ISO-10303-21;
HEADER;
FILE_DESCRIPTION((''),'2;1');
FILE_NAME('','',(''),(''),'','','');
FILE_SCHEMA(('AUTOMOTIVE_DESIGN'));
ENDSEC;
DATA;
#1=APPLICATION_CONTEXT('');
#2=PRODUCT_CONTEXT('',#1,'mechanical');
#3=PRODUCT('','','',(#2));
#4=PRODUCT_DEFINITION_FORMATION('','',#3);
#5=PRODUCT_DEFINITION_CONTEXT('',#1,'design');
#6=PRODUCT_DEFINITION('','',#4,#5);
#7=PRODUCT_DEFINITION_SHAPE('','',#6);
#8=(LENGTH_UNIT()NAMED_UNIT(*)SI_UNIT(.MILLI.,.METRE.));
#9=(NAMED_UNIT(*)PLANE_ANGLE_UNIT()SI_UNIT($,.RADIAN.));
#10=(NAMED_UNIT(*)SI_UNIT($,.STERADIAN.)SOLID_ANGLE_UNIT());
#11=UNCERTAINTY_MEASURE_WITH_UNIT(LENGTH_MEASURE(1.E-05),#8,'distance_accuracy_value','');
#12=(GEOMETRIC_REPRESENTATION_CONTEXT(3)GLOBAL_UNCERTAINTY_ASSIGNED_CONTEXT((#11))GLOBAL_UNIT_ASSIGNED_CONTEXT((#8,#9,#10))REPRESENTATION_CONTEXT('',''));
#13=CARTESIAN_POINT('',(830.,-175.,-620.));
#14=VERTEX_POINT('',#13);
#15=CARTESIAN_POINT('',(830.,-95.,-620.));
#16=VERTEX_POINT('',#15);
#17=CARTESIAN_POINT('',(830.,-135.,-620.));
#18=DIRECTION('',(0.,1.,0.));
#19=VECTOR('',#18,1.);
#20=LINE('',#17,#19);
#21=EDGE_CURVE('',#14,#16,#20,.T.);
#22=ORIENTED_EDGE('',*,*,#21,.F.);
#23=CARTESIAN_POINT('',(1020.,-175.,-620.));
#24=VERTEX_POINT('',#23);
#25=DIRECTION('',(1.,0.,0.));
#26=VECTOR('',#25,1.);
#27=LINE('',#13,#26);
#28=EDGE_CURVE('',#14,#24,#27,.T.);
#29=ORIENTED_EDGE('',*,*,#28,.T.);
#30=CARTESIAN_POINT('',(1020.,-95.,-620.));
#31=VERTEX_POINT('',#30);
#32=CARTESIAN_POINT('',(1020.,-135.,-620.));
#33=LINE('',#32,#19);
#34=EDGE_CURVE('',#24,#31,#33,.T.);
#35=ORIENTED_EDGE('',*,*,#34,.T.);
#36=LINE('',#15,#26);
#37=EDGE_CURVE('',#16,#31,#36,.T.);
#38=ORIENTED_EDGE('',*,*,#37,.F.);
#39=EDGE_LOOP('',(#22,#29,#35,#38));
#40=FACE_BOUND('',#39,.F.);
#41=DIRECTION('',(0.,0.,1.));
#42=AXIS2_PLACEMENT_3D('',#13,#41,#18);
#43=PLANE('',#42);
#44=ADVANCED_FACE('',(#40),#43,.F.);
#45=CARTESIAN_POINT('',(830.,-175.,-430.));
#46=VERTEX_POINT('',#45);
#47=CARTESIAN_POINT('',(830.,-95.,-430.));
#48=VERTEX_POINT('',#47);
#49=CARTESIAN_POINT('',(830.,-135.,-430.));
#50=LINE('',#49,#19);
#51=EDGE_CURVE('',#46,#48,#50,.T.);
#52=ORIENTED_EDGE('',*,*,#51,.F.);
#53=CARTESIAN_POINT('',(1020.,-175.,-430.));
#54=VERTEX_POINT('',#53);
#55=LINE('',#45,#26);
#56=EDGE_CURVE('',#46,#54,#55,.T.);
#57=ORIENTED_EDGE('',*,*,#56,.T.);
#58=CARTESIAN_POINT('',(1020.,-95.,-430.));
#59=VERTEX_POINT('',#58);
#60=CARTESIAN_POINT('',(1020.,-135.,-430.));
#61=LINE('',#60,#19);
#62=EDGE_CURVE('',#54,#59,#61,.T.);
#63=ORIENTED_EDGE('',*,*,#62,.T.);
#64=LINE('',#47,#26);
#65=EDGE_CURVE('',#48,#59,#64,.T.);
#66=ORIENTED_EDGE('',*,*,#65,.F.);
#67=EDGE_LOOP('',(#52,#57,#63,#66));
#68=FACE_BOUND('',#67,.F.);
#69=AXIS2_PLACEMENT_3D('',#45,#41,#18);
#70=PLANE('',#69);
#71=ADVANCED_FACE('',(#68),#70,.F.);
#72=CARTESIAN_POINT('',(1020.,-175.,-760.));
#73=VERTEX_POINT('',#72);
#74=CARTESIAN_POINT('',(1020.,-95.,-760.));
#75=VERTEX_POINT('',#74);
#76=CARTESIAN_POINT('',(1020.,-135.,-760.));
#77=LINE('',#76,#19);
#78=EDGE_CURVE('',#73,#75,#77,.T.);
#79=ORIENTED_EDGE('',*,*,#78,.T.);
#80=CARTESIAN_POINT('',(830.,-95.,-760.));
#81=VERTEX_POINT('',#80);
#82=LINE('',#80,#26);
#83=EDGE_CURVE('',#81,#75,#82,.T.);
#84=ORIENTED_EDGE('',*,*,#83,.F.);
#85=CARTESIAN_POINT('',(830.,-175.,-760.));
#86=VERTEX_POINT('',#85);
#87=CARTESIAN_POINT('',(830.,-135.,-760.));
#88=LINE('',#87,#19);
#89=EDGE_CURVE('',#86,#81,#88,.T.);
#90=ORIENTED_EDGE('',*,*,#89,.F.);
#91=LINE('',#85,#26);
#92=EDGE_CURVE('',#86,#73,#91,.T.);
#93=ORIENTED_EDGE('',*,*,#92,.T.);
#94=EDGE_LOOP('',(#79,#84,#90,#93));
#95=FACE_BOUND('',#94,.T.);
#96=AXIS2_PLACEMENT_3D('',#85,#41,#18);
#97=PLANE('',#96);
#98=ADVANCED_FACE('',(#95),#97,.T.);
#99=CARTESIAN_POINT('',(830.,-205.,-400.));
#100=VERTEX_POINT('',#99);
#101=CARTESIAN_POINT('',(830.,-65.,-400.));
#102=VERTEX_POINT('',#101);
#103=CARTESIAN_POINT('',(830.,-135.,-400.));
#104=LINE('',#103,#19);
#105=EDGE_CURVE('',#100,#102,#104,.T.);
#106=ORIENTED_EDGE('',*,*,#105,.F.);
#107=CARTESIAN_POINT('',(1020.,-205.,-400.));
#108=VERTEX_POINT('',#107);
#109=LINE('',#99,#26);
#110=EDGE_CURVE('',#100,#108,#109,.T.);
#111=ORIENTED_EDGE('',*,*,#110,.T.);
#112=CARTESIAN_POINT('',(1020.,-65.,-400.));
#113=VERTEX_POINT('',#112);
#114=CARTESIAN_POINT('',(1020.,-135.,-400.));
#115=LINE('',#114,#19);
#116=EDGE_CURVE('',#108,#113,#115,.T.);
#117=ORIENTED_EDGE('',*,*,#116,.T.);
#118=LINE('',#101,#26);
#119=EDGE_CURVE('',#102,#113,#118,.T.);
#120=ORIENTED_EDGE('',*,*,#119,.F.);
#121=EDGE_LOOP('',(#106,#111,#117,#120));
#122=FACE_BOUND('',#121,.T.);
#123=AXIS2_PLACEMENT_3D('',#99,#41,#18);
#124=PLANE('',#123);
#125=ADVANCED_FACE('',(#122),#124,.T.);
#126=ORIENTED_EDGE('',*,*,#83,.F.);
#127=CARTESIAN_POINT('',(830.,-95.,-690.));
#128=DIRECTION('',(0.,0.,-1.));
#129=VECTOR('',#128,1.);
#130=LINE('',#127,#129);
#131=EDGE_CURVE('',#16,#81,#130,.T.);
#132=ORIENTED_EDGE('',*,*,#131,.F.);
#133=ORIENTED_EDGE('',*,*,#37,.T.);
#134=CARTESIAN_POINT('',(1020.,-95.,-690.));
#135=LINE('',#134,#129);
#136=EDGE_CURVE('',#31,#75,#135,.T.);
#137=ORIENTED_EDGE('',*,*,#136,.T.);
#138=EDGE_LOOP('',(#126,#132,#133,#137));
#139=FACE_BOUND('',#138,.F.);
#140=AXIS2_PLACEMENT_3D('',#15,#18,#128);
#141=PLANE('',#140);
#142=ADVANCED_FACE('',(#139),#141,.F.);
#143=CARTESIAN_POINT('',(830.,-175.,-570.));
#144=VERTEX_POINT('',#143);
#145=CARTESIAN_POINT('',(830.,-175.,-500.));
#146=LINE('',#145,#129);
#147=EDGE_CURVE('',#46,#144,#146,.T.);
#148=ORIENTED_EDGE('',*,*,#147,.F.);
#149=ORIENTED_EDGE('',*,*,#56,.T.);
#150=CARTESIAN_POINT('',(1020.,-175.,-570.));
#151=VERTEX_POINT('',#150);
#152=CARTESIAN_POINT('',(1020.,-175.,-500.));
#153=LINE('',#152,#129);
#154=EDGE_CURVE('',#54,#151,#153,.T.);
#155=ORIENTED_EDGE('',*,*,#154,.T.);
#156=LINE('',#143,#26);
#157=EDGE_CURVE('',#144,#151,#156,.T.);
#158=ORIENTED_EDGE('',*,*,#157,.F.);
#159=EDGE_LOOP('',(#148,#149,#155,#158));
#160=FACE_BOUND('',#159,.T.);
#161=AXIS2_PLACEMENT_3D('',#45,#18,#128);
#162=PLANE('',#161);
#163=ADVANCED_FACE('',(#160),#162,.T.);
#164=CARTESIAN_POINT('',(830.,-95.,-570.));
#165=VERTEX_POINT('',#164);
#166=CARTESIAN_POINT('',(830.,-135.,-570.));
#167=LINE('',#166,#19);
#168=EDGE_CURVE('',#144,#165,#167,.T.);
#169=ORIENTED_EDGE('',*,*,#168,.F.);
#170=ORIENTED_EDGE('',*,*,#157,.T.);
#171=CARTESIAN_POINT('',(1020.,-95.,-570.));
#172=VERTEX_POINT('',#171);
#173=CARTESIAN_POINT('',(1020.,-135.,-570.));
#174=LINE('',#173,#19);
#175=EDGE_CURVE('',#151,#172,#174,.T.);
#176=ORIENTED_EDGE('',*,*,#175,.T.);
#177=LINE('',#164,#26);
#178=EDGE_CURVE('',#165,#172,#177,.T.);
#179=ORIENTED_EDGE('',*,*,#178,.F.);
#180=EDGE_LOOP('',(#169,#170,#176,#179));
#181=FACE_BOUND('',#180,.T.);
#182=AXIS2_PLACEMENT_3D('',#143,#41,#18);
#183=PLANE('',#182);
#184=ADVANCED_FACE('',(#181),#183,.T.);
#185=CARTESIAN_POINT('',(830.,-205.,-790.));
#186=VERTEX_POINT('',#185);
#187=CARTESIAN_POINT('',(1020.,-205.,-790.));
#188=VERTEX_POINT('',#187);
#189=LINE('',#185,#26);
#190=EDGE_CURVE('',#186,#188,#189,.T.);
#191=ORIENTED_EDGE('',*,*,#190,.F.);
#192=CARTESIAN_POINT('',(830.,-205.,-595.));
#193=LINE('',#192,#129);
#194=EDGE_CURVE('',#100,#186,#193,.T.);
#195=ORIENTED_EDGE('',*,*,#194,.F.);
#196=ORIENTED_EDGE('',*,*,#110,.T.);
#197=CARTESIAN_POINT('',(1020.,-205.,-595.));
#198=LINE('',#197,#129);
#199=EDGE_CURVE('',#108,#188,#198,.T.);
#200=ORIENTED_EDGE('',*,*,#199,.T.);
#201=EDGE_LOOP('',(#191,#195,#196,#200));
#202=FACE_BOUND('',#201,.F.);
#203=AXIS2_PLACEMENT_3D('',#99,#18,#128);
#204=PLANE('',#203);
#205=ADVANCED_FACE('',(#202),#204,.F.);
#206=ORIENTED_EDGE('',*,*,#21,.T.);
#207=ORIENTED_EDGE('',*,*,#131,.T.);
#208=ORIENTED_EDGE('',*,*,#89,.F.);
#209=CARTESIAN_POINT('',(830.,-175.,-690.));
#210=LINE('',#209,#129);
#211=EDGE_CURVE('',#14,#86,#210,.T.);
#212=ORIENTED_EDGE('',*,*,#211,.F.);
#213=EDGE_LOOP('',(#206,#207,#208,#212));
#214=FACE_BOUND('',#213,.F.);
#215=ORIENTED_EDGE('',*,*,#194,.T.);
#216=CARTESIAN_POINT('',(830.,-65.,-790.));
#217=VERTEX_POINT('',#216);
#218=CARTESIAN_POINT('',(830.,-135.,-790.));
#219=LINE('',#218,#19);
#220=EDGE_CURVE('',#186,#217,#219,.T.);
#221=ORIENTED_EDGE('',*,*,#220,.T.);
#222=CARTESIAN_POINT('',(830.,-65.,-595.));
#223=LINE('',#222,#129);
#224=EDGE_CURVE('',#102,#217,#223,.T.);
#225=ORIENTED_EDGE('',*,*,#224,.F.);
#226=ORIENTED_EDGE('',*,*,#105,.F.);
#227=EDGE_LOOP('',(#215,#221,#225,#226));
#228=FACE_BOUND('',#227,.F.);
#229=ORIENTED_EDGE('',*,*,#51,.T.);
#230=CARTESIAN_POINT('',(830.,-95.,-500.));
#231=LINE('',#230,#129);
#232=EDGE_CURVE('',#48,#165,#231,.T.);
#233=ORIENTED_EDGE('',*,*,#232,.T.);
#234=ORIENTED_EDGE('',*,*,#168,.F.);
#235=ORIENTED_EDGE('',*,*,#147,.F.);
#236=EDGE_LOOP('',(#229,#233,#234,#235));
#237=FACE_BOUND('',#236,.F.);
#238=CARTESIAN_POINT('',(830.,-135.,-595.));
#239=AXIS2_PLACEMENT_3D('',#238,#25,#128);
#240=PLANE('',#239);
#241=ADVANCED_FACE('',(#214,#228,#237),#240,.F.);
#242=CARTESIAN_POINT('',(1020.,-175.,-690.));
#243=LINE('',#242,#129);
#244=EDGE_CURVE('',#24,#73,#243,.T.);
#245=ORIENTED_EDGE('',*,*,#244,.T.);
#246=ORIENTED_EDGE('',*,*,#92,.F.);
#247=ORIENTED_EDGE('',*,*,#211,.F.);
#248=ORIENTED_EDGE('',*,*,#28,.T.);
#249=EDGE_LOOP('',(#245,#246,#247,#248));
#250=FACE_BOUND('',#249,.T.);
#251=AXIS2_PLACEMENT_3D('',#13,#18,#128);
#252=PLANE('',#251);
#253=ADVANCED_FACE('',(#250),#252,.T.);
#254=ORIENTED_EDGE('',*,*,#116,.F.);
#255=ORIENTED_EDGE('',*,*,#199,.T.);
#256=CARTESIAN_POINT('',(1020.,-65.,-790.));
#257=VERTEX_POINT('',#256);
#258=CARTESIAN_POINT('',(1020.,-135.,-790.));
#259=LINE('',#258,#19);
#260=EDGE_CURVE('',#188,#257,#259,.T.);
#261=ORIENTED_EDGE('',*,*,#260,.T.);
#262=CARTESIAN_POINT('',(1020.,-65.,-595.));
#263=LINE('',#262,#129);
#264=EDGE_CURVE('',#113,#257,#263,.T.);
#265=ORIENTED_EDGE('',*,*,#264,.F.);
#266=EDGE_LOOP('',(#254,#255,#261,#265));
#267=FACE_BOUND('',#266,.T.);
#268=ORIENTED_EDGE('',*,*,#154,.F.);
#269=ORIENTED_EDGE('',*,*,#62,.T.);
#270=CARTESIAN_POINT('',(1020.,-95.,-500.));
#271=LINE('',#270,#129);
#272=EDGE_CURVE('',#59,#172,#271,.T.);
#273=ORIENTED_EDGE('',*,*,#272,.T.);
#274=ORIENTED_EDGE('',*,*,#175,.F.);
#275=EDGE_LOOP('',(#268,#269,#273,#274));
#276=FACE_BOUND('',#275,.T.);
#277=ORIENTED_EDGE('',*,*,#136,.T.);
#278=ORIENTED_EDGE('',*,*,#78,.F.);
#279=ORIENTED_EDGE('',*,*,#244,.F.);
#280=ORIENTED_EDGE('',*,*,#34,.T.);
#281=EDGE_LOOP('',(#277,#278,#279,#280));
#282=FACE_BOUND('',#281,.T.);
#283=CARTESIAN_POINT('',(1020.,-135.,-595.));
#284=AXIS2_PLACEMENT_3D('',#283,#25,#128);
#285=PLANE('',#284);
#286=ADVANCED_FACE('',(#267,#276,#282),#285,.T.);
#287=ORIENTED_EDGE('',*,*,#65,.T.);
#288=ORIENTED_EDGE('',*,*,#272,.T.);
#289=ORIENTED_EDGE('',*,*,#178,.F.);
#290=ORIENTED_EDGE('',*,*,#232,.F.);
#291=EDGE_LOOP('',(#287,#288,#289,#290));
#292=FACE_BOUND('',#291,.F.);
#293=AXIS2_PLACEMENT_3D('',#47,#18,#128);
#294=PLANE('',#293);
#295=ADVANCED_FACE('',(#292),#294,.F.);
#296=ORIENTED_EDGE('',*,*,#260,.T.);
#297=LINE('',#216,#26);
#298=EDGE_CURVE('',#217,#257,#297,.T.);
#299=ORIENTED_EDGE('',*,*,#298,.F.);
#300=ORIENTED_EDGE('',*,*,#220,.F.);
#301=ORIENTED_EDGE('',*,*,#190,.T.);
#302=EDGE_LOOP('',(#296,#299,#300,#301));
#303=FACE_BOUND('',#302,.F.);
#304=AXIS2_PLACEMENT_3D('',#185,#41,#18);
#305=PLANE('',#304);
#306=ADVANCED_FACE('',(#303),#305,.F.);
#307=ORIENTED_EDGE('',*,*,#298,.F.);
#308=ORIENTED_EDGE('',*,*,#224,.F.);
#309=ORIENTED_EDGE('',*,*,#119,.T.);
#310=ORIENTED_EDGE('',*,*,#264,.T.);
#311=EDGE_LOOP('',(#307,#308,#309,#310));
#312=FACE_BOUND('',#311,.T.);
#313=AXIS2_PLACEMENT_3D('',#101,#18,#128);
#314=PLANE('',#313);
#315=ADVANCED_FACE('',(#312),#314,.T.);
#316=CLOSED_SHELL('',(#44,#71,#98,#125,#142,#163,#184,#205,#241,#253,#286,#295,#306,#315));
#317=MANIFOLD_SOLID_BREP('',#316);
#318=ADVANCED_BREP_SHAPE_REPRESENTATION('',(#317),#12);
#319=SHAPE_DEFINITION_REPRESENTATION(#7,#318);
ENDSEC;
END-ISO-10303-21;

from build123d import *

# Parameters (mm, degrees)
BOX026_W               = 140
BOX026_H               = 80
BOX026_DEPTH           = 190
BOX027_W               = 140
BOX027_H               = 80
BOX027_DEPTH           = 190
BOX028_W               = 390
BOX028_H               = 140
BOX028_DEPTH           = 190
CUT005_PLACEMENT_ANGLE = 90


with BuildPart() as cube016:
    # Box026 → Box026 (new body)
    with BuildSketch(Plane(origin=(220, 30, 0), x_dir=(1, 0, 0), z_dir=(0, 0, 1))):
        with Locations((70, 40)):
            Rectangle(BOX026_W, BOX026_H)
    extrude(amount=BOX026_DEPTH)


with BuildPart() as fusion008:
    # Box027 → Box027 (new body)
    with BuildSketch(Plane(origin=(30, 30, 0), x_dir=(1, 0, 0), z_dir=(0, 0, 1))):
        with Locations((70, 40)):
            Rectangle(BOX027_W, BOX027_H)
    extrude(amount=BOX027_DEPTH)

    # Fusion008: union Cube016
    add(cube016.part)


with BuildPart() as cut005:
    # Box028 → Box028 (new body)
    with BuildSketch(Plane.XY):
        with Locations((195, 70)):
            Rectangle(BOX028_W, BOX028_H)
    extrude(amount=BOX028_DEPTH)

    # Cut005: cut Fusion008
    add(fusion008.part, mode=Mode.SUBTRACT)


with BuildPart() as cut005_1:
    # Cut005 placement: moved
    add(cut005.part.moved(Location((830, -205, -400))).rotate(Axis((830, -205, -400), (0, 1, 0)), CUT005_PLACEMENT_ANGLE))


solid = cut005_1.part
